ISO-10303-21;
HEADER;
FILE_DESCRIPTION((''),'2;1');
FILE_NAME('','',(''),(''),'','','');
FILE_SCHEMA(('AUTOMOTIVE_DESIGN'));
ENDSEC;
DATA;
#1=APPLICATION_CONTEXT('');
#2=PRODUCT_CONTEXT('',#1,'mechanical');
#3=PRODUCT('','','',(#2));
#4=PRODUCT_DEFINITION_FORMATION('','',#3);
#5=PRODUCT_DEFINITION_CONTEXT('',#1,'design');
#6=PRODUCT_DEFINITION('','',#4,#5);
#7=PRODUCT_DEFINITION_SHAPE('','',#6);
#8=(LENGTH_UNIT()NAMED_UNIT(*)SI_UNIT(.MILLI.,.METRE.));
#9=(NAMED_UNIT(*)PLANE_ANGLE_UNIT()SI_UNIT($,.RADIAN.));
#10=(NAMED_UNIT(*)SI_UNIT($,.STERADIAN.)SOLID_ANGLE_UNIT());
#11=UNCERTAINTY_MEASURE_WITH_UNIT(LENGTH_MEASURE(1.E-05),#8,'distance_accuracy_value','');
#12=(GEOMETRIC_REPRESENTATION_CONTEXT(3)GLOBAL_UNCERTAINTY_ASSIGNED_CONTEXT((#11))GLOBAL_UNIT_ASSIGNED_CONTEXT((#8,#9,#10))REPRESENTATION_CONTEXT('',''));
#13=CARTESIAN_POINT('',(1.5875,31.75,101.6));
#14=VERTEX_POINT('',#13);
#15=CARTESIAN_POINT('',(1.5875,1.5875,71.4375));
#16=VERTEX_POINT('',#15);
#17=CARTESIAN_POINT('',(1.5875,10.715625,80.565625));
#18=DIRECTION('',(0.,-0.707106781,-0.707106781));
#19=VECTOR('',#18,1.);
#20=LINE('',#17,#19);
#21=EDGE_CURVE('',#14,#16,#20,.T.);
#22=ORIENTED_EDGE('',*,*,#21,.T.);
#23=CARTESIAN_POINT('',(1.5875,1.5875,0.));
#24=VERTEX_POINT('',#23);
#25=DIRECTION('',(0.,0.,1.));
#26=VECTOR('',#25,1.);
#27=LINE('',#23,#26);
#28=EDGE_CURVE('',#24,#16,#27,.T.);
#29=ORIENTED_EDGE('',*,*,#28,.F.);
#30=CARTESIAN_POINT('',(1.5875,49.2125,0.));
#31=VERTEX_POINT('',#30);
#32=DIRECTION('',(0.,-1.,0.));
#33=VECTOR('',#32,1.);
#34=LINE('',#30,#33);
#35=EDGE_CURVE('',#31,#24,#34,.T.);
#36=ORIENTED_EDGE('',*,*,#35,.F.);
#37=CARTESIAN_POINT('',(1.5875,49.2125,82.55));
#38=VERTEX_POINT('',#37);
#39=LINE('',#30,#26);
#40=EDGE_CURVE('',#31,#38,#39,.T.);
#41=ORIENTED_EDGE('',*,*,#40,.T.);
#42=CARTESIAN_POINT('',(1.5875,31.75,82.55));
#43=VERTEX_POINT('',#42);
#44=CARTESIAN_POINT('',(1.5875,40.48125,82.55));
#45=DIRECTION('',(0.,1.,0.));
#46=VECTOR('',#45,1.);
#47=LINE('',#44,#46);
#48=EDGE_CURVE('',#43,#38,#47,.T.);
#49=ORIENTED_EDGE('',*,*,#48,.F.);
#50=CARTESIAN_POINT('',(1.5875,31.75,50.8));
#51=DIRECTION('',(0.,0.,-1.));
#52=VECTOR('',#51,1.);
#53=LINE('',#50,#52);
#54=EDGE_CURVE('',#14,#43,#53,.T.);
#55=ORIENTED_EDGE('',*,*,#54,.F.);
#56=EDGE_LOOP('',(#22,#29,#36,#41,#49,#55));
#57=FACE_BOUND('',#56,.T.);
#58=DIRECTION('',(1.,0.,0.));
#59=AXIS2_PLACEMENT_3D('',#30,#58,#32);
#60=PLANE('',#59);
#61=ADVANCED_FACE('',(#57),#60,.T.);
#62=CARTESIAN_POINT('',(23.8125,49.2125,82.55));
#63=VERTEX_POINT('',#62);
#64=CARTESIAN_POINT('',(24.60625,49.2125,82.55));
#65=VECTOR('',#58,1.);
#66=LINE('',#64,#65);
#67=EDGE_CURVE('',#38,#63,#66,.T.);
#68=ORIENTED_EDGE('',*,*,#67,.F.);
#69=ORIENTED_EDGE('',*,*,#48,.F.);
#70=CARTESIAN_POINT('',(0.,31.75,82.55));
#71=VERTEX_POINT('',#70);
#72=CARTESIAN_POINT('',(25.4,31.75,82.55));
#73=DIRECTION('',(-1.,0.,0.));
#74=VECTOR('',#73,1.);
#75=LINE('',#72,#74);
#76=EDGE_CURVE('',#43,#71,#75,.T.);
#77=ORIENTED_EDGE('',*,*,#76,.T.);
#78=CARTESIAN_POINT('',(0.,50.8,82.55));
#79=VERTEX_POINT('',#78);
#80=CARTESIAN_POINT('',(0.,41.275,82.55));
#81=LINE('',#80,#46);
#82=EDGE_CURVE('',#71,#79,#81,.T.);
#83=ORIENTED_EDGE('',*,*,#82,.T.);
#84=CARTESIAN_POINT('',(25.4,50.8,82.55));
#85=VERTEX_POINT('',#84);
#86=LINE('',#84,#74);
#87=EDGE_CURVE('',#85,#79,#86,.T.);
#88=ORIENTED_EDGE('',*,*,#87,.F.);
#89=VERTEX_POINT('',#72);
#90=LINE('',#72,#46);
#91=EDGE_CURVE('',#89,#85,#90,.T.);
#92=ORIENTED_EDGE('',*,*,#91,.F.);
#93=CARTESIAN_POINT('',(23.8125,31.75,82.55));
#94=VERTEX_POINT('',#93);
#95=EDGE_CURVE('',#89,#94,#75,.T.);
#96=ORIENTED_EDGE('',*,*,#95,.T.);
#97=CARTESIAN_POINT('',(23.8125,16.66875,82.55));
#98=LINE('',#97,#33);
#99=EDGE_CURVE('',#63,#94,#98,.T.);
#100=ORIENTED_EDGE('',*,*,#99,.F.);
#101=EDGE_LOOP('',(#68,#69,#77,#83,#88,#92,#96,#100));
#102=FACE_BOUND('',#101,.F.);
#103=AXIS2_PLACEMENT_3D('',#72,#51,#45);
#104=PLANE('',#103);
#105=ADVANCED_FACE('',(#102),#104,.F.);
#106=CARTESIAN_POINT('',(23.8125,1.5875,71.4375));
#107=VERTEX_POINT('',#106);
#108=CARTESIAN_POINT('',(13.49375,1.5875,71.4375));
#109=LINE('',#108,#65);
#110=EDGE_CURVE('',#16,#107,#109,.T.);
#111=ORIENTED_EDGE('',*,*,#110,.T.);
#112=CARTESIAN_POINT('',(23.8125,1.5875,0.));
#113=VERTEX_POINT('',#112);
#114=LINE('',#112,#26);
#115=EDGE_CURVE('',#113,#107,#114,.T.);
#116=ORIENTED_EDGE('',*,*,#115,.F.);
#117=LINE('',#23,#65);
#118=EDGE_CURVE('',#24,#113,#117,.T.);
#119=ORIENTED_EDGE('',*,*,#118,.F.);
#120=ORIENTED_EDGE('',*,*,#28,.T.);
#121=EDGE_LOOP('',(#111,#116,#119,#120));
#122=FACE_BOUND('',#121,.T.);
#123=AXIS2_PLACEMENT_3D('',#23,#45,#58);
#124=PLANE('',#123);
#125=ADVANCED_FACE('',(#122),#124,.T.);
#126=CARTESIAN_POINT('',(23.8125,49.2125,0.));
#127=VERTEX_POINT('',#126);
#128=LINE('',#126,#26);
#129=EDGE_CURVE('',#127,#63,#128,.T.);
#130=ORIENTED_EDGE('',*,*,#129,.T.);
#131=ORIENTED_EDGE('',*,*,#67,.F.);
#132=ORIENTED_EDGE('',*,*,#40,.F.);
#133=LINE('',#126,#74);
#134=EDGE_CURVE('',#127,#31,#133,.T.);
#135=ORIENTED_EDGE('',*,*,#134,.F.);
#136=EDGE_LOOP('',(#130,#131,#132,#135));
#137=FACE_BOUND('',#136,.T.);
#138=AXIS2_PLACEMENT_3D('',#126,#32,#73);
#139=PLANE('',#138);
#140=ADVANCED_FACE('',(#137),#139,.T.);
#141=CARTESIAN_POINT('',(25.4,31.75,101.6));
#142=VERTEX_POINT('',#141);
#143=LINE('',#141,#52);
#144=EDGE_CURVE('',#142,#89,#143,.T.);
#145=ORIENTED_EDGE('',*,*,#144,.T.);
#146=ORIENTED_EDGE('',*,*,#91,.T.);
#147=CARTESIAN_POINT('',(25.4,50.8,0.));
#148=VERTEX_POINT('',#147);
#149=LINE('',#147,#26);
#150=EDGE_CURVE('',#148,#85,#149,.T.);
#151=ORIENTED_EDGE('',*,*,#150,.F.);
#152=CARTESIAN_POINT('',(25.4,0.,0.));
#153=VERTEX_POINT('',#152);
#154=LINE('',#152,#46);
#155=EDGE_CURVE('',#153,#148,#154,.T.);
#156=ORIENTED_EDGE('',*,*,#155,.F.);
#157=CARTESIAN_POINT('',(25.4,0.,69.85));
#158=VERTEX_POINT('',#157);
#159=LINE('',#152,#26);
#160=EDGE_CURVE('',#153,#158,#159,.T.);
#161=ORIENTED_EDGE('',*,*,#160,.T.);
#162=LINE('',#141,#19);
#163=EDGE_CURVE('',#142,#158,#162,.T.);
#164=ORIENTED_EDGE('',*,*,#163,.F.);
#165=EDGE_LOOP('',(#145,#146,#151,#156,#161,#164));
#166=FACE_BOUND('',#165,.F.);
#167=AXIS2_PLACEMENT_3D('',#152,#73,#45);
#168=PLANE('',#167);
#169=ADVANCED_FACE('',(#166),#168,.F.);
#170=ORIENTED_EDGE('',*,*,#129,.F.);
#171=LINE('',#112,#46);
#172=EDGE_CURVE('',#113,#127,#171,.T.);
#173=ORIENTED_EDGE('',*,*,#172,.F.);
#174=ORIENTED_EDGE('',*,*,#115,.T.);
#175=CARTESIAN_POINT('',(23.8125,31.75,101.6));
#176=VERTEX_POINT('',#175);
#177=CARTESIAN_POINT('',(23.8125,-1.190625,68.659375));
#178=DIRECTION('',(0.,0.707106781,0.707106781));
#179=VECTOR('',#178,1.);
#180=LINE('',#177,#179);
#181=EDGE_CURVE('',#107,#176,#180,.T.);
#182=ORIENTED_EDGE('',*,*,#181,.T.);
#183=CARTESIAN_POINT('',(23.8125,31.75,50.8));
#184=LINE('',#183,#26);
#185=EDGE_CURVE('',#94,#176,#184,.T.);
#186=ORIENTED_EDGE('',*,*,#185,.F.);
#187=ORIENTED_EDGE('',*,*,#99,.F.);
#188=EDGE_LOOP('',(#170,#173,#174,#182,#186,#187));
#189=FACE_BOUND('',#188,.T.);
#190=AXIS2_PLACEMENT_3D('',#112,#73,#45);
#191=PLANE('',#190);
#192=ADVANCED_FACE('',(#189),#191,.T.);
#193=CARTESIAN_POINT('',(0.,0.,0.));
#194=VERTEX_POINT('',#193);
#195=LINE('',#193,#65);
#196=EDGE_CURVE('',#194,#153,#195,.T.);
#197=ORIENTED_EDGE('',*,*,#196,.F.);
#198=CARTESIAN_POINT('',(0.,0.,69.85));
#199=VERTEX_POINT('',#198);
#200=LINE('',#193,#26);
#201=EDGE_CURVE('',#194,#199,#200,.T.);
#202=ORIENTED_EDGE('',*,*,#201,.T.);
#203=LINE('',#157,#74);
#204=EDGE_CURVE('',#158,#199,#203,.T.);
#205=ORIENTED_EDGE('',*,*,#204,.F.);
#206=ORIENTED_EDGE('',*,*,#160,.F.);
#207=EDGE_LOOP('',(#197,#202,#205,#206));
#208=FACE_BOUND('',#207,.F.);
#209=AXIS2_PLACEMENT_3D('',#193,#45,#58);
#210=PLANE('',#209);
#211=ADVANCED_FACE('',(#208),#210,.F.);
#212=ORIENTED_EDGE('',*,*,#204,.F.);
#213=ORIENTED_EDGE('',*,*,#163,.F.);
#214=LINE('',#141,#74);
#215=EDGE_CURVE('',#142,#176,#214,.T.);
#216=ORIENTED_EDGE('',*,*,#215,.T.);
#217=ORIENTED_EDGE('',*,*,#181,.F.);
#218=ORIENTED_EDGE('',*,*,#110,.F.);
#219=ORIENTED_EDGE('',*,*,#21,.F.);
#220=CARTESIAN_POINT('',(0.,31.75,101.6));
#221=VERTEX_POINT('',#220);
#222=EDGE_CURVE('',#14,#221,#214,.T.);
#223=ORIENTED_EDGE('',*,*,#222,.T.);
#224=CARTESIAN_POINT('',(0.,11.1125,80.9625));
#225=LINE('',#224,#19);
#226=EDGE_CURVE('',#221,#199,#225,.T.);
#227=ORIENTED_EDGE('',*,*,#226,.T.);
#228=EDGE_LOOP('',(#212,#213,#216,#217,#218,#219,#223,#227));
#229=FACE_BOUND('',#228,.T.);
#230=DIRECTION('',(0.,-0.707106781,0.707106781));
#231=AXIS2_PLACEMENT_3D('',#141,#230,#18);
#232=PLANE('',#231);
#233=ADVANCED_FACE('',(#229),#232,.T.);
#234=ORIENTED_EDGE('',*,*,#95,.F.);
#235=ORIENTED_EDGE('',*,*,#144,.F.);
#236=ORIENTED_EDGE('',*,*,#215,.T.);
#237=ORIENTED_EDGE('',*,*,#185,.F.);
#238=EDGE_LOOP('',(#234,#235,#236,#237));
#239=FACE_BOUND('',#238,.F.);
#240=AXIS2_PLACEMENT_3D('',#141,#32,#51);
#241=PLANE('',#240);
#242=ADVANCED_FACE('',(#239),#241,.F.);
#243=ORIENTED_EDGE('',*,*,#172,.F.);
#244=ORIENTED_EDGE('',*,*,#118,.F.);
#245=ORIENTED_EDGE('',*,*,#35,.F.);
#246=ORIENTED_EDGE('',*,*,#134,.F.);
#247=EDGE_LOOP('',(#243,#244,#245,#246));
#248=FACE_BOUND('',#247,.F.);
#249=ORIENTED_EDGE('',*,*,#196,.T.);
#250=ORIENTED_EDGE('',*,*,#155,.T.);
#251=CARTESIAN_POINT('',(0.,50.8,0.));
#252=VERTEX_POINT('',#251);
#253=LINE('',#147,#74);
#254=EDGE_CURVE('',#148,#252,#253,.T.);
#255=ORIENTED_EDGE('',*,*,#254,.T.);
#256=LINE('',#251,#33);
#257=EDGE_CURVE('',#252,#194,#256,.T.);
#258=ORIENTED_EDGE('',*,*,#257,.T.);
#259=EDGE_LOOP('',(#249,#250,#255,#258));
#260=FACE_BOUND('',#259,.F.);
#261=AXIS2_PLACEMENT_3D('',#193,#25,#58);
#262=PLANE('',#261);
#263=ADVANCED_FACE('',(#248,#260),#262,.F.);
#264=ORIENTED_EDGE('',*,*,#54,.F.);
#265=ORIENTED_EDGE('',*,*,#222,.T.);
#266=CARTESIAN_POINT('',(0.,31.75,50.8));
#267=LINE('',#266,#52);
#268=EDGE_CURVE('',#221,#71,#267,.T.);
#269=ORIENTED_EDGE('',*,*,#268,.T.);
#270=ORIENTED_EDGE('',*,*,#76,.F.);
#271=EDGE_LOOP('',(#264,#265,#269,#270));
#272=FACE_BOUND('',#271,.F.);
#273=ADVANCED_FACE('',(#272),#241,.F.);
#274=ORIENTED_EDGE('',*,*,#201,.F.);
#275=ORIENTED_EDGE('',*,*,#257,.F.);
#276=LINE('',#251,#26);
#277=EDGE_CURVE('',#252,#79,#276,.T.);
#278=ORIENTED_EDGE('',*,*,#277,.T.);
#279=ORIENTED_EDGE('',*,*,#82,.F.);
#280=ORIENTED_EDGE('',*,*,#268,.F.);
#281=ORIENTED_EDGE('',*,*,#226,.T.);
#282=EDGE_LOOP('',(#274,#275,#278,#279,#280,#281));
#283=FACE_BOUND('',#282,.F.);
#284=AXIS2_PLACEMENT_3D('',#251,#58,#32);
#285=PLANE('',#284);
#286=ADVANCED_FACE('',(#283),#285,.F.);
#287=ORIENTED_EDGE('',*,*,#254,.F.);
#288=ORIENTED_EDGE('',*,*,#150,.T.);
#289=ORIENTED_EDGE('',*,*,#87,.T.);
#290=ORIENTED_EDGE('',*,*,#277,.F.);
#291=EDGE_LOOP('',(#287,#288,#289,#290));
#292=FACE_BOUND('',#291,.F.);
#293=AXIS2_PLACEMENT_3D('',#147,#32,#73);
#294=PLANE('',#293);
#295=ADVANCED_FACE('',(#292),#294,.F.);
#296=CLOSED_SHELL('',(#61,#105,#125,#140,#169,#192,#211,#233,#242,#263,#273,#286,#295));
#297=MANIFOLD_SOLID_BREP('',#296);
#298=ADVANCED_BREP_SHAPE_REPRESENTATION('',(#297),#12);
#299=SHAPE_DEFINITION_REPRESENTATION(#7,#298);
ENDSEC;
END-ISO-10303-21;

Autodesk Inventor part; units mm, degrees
ref_plane "YZ Plane" through (0, 0, 0) normal (1, 0, 0) x (0, 1, 0)
ref_plane "XZ Plane" through (0, 0, 0) normal (0, 1, 0) x (-1, 0, 0)
ref_plane "XY Plane" through (0, 0, 0) normal (0, 0, 1) x (1, 0, 0)
sketch "Sketch1" plane through (0, 0, 0) normal (0, 0, 1) x (1, 0, 0)
  line L0 (0, 0) -> (25.4, 0)
  line L1 (25.4, 0) -> (25.4, 50.8)
  line L2 (25.4, 50.8) -> (0, 50.8)
  line L3 (0, 50.8) -> (0, 0)
  line L4 (1.5875, 1.5875) -> (23.8125, 1.5875)
  line L5 (23.8125, 1.5875) -> (23.8125, 49.2125)
  line L6 (23.8125, 49.2125) -> (1.5875, 49.2125)
  line L7 (1.5875, 49.2125) -> (1.5875, 1.5875)
  dimension "d0" = 25.4
  dimension "d1" = 50.8
  dimension "d2" = 1.5875
  dimension "d3" = 1.5875
  dimension "d4" = 1.5875
  dimension "d5" = 1.5875
extrude "Box Beam Profile" add sketch "Sketch1" along normal blind 101.6
sketch "Sketch2" plane through (25.4, 0, 0) normal (1, 0, 0) x (0, 0, -1)
  line L0 (0, 50.8) -> (-101.6, 50.8) projected
  line L1 (-101.6, 0) -> (-101.6, 50.8) projected
  line L2 (0, 0) -> (-101.6, 0) projected
  line L3 (-101.6, 31.75) -> (-69.85, 0)
  line L4 (-101.6, 31.75) -> (-82.55, 31.75)
  line L5 (-82.55, 31.75) -> (-82.55, 50.8)
  dimension "d8" = 45
  dimension "d9" = 19.05
  dimension "d10" = 19.05
extrude "Through Cutouts" cut sketch "Sketch2" against normal through all
equation "\"d3\" = d2"
equation "\"d4\" = d2"
equation "\"d5\" = d2"
equation "\"d10\" = d9"
properties part number "Bumper Rail Stand" material "Aluminum 6061"
